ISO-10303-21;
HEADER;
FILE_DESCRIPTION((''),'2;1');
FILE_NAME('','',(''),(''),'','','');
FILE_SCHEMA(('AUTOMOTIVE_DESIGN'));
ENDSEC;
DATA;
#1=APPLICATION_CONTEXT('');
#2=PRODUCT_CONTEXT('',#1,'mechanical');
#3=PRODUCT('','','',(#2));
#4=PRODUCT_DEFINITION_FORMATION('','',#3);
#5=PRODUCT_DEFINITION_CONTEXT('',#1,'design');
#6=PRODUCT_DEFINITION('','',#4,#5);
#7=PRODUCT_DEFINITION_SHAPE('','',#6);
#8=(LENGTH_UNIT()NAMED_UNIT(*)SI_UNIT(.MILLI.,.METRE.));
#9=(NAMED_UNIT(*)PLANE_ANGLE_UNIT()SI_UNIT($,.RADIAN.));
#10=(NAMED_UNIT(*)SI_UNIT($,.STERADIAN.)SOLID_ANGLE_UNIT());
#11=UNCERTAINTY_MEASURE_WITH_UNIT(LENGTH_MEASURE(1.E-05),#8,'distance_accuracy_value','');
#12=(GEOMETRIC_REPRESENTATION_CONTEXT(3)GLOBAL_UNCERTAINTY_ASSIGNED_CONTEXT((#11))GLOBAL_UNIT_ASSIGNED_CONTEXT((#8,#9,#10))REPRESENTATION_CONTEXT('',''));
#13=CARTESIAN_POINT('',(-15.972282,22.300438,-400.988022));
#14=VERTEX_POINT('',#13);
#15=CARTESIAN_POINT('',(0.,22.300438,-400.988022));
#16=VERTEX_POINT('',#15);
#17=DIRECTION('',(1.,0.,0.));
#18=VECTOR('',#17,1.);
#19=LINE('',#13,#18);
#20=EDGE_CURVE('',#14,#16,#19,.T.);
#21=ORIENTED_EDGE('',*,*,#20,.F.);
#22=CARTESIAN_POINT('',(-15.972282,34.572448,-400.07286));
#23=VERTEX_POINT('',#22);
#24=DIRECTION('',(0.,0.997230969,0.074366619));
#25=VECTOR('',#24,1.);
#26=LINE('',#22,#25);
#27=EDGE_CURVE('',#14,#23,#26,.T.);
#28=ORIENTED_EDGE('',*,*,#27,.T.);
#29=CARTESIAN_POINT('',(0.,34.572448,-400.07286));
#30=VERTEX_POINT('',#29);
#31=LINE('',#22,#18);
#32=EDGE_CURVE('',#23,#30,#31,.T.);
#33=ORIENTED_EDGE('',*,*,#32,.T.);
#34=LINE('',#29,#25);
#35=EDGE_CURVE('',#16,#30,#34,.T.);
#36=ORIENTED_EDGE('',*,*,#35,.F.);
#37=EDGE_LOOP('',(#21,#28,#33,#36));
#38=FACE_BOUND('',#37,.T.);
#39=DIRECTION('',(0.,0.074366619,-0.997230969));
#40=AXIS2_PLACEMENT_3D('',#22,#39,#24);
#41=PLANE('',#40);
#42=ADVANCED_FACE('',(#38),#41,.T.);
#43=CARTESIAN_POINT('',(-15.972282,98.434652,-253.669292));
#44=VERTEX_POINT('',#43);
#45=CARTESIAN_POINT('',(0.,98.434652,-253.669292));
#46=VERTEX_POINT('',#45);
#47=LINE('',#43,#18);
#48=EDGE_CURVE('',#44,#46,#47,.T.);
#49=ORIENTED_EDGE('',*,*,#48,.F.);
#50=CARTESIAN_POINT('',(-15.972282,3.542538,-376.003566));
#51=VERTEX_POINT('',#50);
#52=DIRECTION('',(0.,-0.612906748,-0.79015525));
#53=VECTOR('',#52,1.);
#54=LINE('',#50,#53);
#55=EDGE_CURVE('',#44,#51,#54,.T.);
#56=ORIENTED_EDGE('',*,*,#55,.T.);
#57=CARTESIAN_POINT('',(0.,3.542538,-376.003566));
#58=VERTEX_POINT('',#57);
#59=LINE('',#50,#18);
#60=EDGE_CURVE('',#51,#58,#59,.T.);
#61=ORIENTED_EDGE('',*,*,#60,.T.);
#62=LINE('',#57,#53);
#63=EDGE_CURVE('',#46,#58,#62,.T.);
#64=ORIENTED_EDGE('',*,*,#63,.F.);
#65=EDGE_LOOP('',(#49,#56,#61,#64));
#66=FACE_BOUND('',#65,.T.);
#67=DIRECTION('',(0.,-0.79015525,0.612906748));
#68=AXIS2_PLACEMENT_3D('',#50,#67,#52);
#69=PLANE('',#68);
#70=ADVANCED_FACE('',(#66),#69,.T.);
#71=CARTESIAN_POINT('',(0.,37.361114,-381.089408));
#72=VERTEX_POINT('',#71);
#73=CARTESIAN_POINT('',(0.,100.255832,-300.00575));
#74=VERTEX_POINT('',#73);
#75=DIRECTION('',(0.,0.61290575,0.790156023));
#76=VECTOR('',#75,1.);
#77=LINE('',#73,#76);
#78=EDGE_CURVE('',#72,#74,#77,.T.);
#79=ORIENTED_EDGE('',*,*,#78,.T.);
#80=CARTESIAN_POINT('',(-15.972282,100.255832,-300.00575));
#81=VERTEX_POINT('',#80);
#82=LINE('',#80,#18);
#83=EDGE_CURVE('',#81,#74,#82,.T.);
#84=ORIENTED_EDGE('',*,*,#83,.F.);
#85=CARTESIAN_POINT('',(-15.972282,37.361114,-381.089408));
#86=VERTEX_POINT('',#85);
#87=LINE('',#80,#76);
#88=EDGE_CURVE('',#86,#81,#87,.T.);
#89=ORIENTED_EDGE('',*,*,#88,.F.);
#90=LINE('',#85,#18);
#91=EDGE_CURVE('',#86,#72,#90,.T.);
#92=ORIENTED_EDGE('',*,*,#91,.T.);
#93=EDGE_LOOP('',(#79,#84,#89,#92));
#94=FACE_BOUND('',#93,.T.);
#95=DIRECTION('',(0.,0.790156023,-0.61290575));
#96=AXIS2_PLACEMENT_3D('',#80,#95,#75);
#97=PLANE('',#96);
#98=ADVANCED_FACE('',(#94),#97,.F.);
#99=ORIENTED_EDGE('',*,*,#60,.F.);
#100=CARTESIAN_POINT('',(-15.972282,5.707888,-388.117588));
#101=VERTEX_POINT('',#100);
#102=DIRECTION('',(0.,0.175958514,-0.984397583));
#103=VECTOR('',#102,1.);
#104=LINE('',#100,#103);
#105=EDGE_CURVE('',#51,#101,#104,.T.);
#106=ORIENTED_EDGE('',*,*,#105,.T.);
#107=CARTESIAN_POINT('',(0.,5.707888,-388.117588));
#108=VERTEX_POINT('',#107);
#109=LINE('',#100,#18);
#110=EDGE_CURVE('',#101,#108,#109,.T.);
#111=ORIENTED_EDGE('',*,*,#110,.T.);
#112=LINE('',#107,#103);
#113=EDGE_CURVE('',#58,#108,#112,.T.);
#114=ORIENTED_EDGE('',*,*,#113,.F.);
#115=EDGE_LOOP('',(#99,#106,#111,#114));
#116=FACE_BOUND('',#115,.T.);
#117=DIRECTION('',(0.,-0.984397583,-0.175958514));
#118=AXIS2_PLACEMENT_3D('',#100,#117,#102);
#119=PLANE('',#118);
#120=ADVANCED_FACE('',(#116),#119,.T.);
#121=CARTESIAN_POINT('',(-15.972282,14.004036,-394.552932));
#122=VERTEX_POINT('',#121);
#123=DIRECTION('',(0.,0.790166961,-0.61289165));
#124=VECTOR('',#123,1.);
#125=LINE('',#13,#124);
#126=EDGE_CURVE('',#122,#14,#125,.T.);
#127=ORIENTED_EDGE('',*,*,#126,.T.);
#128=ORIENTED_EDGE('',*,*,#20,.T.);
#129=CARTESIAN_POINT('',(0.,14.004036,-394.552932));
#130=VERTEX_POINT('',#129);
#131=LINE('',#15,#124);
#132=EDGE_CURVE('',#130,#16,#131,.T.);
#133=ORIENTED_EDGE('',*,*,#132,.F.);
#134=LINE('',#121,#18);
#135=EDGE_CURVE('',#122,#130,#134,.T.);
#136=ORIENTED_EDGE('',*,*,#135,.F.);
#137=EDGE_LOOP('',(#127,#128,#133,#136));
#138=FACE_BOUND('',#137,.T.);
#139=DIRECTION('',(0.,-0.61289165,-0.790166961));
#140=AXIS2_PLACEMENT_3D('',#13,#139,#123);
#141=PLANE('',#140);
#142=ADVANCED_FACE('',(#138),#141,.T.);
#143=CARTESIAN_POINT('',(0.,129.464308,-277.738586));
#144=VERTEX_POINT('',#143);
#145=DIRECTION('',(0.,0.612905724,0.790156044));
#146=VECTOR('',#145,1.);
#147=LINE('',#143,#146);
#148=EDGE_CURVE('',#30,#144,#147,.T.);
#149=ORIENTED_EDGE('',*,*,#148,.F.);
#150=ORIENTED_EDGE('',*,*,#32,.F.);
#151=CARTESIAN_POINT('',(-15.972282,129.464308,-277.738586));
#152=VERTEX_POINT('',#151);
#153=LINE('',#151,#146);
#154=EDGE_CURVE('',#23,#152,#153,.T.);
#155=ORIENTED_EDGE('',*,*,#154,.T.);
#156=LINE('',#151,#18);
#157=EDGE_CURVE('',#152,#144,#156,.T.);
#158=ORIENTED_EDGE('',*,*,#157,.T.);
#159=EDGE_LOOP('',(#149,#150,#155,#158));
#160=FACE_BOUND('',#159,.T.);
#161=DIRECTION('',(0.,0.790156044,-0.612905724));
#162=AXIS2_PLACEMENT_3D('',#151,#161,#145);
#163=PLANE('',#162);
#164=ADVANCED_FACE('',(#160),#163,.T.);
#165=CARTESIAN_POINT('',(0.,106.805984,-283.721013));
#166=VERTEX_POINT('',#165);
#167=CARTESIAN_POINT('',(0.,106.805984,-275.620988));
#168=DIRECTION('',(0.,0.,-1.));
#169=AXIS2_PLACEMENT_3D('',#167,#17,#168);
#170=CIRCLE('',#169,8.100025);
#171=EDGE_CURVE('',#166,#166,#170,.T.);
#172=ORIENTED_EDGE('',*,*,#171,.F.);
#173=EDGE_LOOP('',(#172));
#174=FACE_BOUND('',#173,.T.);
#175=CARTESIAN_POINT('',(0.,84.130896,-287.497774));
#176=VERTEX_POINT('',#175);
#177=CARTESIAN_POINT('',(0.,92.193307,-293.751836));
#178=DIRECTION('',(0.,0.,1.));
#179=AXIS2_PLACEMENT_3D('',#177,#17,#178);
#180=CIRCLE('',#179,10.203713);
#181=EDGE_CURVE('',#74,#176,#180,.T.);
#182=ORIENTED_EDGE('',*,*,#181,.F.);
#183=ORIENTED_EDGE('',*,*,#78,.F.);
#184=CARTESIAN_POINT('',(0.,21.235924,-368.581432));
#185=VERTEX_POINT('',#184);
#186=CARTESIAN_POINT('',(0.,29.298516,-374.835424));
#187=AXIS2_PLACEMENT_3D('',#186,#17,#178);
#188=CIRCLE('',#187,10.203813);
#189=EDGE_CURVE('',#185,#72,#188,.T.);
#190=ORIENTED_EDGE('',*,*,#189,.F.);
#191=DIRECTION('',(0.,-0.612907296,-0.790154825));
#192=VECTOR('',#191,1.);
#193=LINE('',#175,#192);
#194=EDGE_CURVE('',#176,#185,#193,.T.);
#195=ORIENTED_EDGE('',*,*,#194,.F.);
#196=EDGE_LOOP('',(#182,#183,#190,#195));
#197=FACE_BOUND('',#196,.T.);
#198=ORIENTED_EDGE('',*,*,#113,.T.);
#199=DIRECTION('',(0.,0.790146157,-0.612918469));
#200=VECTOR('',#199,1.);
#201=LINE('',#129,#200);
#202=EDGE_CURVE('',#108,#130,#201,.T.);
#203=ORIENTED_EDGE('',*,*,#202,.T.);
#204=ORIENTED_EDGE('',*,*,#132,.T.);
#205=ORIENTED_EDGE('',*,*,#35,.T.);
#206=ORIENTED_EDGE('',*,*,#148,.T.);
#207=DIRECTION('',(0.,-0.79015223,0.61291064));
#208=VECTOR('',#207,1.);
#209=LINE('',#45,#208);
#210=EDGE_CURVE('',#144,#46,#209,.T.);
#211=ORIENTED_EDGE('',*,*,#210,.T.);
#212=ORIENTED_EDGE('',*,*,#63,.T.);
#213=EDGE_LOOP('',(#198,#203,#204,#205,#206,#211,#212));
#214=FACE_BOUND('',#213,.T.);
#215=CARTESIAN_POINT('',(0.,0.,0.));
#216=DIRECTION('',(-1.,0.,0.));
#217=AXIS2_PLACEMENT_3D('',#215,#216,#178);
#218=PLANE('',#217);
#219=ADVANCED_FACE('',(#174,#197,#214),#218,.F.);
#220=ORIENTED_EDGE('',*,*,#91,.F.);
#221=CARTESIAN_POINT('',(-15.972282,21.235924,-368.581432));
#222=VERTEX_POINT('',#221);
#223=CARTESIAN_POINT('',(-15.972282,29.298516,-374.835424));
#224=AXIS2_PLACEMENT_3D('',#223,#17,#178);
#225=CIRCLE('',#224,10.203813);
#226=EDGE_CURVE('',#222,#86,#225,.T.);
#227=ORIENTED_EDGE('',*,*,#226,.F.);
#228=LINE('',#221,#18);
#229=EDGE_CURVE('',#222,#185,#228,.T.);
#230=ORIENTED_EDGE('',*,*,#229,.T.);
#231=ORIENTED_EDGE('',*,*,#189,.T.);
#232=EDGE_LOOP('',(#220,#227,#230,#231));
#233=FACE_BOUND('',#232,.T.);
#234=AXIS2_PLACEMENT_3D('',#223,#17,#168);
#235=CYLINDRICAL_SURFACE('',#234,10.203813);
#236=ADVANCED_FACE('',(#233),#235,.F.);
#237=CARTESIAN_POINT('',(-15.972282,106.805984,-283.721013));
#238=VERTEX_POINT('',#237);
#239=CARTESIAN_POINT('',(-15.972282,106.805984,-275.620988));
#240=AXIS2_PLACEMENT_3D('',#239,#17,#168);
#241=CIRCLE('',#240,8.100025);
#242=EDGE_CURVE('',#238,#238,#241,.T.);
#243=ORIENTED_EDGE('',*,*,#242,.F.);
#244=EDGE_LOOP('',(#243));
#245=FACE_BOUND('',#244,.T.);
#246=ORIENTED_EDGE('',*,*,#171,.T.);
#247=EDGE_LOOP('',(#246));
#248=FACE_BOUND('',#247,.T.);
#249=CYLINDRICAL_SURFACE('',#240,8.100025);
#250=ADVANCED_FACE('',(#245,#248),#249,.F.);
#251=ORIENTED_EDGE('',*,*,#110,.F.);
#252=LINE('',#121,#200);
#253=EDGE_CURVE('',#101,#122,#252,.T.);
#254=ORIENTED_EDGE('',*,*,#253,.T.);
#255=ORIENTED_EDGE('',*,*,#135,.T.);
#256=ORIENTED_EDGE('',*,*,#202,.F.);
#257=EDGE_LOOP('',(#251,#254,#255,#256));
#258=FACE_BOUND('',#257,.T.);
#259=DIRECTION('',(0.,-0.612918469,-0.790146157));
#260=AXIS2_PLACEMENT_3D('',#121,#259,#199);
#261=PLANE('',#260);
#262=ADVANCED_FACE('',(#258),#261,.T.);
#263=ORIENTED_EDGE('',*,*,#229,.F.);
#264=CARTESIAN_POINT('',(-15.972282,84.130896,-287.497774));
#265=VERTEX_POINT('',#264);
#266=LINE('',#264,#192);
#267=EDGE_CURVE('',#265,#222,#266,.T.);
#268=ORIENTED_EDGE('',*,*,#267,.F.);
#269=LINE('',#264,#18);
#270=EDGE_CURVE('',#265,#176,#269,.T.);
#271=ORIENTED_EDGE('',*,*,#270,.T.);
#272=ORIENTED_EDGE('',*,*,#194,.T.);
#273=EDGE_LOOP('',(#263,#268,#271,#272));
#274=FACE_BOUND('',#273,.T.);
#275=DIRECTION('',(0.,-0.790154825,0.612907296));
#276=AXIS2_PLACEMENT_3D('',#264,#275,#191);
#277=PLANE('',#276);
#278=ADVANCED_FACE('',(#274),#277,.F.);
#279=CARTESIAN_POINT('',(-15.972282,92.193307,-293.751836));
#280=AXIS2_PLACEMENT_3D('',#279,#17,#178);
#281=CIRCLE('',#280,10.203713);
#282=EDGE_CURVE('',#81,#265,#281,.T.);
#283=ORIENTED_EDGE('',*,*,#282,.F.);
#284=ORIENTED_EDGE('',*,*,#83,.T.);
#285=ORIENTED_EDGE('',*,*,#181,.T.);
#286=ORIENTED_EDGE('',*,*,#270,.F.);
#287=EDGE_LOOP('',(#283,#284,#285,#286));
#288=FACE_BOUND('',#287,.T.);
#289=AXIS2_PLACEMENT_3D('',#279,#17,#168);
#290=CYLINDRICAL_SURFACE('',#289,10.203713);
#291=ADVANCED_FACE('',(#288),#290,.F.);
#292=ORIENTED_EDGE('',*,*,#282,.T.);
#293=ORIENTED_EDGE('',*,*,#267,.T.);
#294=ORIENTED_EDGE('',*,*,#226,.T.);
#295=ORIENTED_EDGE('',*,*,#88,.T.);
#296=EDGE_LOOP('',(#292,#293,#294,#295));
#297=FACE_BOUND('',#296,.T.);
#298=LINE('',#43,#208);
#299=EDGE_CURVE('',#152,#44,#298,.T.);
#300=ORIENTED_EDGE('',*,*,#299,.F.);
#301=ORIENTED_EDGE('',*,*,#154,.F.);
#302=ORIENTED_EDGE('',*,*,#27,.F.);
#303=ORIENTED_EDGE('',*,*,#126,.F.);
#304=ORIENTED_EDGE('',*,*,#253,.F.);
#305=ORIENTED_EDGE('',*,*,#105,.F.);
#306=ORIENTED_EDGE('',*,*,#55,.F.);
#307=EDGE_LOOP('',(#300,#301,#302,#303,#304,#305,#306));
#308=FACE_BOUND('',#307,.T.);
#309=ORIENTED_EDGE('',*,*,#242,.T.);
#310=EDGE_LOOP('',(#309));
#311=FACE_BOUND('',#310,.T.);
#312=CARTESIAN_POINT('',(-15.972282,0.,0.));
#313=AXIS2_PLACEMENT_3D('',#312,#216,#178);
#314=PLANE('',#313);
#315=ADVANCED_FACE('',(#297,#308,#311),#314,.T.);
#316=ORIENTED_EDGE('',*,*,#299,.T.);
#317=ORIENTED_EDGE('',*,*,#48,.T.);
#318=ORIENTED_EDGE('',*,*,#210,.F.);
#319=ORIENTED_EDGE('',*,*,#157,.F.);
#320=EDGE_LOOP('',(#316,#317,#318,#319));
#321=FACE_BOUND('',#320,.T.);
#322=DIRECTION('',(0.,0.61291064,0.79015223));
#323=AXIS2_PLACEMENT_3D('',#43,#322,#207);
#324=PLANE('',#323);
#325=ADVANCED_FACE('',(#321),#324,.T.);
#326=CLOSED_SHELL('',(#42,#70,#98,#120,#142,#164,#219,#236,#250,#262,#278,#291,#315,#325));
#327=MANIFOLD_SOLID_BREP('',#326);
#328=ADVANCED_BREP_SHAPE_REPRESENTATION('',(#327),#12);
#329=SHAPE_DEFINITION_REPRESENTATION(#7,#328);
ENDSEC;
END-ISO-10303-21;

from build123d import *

# Parameters (mm, degrees)
SKETCH1_R           = 8.100025456
BOSS_EXTRUDE1_DEPTH = 15.972282


with BuildPart() as part:
    # Sketch1 → Boss-Extrude1 (new body)
    with BuildSketch(Plane(origin=(0, 0, 0), x_dir=(0, 0, -1), z_dir=(1, 0, 0))):
        Polygon((253.669292, 98.434652), (277.738586, 129.464308), (400.07286, 34.572448), (400.988022, 22.300438), (394.552932, 14.004036), (388.117588, 5.707888), (376.003566, 3.542538), align=None)
        with Locations((275.620988, 106.805984)):
            Circle(SKETCH1_R, mode=Mode.SUBTRACT)
        with BuildLine():
            Line((287.497774, 84.130896), (368.581432, 21.235924))
            ThreePointArc((368.581432, 21.235924), (382.898018562, 23.044528237), (381.089408, 37.361114))
            Line((381.089408, 37.361114), (300.00575, 100.255832))
            ThreePointArc((300.00575, 100.255832), (285.689367711, 98.447294823), (287.497774, 84.130896))
        make_face(mode=Mode.SUBTRACT)
    extrude(amount=-BOSS_EXTRUDE1_DEPTH)


solid = part.part
